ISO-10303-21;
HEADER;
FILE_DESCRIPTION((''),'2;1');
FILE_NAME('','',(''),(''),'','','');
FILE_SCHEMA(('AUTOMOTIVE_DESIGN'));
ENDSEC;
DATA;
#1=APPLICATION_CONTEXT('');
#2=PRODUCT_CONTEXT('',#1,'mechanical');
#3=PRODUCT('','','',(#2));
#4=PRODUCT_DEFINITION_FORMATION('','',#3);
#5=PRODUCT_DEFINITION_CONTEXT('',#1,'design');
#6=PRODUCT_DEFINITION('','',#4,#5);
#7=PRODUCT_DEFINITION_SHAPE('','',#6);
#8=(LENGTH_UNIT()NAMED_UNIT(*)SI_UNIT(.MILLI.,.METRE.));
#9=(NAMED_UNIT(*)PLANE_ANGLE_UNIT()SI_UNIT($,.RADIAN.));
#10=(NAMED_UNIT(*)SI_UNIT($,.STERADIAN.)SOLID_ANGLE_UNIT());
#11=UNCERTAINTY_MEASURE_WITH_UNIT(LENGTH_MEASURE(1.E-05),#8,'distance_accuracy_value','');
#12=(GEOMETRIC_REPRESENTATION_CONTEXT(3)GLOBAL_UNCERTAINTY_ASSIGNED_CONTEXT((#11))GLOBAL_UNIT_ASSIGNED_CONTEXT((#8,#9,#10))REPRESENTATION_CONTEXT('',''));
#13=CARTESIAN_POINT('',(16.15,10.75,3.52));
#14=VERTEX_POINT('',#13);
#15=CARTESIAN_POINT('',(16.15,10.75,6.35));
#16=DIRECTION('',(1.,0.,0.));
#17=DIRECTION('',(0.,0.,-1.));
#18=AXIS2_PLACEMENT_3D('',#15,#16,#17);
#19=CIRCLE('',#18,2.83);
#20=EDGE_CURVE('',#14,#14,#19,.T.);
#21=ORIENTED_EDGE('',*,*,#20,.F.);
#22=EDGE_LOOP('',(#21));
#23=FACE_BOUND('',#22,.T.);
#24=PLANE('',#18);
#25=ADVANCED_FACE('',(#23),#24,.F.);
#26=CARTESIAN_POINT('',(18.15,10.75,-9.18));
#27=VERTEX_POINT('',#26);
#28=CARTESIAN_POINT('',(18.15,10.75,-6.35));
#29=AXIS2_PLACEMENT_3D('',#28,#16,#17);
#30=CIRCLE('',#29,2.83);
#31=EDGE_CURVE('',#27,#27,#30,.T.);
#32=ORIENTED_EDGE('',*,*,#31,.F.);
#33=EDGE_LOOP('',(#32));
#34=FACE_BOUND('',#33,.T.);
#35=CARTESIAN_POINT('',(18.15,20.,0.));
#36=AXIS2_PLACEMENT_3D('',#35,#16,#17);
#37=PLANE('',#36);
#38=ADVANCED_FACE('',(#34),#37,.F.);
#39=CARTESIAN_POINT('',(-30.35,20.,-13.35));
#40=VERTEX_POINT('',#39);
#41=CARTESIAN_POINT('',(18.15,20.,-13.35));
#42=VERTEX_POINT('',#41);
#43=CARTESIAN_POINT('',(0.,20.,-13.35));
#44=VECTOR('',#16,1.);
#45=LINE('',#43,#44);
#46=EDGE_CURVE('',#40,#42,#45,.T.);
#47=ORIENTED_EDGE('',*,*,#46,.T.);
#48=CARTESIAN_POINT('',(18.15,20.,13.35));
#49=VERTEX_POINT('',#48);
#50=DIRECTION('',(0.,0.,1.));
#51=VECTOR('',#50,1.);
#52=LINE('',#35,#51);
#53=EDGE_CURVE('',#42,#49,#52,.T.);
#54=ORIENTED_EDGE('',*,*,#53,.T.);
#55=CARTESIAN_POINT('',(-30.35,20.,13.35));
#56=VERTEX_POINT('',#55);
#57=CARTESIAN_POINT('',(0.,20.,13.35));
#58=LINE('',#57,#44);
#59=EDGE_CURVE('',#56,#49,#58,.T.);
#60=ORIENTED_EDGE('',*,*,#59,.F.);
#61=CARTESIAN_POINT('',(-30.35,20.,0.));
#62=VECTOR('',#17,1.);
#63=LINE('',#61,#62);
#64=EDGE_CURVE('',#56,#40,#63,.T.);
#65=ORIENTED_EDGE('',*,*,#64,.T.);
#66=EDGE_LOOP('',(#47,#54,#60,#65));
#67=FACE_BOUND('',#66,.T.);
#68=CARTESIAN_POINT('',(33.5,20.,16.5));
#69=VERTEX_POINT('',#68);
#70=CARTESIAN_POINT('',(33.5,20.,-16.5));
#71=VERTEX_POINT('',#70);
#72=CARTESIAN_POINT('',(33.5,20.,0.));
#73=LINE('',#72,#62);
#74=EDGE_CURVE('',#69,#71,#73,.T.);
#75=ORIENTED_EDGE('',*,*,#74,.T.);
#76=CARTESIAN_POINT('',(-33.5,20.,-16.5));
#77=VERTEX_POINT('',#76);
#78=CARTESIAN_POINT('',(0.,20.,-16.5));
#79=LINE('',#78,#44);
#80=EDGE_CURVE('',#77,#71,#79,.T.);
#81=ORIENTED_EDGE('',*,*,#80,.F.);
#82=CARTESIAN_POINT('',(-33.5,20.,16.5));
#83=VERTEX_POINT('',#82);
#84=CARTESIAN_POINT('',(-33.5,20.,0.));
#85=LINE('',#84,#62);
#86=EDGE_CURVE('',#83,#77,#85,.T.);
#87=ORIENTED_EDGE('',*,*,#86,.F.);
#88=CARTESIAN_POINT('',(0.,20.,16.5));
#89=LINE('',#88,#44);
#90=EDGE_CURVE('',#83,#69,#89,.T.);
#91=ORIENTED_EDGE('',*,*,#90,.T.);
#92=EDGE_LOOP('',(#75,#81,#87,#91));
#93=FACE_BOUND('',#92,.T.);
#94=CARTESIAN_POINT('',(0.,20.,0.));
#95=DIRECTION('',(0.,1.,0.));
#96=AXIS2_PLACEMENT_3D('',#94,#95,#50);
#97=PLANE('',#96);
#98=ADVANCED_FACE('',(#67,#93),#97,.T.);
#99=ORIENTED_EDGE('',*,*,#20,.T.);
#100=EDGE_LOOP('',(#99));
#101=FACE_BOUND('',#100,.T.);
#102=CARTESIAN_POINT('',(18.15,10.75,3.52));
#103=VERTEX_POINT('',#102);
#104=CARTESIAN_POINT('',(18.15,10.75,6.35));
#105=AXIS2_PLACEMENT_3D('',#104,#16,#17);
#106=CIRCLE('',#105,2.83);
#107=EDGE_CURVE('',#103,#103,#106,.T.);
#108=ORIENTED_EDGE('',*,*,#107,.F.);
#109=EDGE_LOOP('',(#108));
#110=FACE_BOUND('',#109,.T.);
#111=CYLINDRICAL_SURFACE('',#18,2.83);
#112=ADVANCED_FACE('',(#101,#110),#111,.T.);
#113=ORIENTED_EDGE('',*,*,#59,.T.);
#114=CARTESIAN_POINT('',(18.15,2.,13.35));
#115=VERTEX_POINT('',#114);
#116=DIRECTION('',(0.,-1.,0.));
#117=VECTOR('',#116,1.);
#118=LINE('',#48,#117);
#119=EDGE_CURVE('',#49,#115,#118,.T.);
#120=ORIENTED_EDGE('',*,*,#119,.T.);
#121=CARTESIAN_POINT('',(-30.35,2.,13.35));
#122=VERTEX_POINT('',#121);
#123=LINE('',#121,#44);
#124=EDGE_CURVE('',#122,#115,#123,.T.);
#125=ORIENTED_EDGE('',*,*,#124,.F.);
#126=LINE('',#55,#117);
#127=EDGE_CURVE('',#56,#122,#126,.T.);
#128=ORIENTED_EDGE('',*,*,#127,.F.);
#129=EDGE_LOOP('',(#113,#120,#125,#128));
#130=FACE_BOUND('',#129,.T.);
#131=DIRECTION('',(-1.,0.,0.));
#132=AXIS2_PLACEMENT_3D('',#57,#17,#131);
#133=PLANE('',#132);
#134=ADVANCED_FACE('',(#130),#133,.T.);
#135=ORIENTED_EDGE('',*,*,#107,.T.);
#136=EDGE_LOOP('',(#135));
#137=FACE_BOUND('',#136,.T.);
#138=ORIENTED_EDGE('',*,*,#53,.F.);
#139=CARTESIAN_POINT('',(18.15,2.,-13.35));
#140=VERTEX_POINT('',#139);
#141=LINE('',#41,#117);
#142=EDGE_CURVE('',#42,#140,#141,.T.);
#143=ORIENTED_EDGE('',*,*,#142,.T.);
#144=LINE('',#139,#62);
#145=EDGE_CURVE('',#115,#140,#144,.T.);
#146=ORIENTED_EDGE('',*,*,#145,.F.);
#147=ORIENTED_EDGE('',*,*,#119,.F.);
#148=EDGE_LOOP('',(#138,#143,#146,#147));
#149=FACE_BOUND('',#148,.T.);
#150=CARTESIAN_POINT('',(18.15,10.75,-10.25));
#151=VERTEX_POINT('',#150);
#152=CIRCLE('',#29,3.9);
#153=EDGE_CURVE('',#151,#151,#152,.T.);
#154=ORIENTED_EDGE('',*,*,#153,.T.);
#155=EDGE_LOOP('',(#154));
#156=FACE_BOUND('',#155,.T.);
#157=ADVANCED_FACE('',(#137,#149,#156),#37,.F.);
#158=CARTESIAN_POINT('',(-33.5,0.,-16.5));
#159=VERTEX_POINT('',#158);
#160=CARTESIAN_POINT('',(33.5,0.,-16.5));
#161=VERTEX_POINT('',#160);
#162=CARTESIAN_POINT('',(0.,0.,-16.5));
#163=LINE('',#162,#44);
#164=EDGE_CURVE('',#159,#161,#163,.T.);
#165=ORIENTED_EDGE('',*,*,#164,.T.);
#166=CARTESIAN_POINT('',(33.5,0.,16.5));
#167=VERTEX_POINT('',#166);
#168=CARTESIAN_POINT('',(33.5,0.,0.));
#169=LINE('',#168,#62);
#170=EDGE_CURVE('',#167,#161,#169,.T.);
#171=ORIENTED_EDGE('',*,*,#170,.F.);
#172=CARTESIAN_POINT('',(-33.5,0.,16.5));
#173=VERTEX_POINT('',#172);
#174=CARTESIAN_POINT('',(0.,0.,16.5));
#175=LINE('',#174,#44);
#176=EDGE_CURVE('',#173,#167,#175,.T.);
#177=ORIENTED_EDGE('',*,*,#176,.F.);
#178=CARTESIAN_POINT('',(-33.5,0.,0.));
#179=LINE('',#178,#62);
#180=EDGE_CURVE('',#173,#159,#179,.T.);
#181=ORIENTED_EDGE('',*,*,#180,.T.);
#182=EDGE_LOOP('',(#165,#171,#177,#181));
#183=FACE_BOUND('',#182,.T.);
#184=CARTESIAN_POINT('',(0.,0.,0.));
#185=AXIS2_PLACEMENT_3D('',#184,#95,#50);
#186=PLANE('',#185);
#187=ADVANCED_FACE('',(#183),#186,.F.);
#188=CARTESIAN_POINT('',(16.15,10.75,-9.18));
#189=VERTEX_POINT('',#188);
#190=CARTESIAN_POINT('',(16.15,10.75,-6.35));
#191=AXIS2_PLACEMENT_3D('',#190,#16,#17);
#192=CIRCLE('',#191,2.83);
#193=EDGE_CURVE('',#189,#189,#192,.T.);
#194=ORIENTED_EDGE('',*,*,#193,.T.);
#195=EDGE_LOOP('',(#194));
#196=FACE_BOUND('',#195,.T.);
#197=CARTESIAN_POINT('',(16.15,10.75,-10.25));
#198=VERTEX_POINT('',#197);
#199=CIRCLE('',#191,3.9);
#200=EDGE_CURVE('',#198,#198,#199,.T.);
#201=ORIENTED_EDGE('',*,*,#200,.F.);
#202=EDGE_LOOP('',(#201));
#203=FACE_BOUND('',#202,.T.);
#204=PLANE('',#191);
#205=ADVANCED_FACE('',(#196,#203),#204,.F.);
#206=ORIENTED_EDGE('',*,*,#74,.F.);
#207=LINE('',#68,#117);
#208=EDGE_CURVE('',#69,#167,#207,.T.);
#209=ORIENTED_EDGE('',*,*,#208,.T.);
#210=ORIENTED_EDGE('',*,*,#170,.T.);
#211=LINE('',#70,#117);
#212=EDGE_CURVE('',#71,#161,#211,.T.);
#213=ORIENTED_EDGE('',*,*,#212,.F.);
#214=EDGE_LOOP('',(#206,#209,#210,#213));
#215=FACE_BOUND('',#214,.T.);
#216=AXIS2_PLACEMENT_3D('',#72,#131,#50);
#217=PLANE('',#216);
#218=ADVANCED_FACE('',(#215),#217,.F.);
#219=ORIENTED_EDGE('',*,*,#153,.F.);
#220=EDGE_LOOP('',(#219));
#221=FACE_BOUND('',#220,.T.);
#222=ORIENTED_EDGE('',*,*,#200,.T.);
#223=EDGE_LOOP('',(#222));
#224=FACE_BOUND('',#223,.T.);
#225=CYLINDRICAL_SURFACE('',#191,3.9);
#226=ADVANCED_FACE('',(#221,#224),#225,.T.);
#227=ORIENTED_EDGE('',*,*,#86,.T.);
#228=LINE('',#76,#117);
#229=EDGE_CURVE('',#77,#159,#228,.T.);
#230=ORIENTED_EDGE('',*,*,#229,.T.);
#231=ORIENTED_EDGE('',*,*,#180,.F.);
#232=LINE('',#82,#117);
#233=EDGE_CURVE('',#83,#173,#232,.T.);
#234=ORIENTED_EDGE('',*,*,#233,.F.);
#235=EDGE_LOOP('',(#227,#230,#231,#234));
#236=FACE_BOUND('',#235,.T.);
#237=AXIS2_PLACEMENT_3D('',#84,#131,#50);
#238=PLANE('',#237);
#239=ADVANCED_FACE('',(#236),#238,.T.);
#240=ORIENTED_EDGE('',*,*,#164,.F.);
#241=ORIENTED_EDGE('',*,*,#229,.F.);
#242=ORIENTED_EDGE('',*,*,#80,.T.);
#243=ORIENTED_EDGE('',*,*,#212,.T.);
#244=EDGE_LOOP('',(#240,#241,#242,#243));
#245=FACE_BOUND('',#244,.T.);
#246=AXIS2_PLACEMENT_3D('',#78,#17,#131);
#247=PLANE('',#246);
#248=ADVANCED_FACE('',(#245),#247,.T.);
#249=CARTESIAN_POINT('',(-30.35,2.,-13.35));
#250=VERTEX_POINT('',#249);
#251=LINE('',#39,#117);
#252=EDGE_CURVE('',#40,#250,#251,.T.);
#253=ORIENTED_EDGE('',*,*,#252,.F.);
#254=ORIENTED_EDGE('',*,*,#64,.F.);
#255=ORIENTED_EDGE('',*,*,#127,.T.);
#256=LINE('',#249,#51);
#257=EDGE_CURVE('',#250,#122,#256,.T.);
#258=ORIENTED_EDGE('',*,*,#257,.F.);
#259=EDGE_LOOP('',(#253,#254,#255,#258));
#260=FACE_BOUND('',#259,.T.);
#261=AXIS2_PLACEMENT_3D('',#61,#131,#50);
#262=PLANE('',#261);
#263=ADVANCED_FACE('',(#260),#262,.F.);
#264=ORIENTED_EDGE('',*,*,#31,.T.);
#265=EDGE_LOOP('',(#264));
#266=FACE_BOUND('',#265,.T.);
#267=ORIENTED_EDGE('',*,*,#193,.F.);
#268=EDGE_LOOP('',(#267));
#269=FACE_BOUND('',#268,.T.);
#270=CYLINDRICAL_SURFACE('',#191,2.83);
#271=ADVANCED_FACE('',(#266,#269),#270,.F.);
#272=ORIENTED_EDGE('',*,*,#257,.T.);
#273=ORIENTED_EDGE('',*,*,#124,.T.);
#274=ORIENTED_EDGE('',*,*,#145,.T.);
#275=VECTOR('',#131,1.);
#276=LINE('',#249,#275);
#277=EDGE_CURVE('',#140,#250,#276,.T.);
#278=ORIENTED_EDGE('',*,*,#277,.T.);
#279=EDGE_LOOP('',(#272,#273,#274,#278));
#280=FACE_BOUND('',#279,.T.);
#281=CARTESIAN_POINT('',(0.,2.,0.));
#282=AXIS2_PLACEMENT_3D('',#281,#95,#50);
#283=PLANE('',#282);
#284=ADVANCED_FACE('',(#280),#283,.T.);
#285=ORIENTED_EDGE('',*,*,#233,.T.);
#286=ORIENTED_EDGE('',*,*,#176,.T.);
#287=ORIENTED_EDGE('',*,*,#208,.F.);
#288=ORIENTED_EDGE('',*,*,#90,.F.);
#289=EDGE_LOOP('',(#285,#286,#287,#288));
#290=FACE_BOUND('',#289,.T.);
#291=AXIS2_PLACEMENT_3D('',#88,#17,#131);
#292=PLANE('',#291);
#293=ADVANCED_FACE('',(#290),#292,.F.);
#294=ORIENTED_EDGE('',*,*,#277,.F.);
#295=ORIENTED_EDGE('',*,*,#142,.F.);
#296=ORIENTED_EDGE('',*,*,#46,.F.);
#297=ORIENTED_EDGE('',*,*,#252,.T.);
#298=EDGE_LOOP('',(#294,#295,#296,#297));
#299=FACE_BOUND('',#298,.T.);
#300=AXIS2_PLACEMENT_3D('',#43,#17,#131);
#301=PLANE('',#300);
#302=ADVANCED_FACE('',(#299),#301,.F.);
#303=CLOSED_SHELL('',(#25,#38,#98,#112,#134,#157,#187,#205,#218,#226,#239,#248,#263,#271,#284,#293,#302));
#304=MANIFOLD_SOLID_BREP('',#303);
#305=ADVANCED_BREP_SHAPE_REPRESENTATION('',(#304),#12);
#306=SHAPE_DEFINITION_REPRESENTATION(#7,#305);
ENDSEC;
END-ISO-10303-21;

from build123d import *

# Parameters (mm, degrees)
ESBO_O1_W                = 67
ESBO_O1_H                = 33
ESBO_O1_W_2              = 60.7
ESBO_O1_H_2              = 26.7
ESBO_O1_W_3              = 12.2
RESSALTO_EXTRUS_O4_DEPTH = 20
ESBO_O3_W                = 48.5
ESBO_O3_H                = 26.7
RESSALTO_EXTRUS_O5_DEPTH = 2
RESSALTO_EXTRUS_O9_START = 18.15
ESBO_O4_R                = 3.9
ESBO_O4_R_2              = 2.83
RESSALTO_EXTRUS_O9_DEPTH = 2


with BuildPart() as part:
    # Esboço1 → Ressalto-extrusão4 (new body)
    # profile 1 of 2: a face of its own
    with BuildSketch(Plane(origin=(0, 0, 0), x_dir=(1, 0, 0), z_dir=(0, 1, 0))):
        Rectangle(ESBO_O1_W, ESBO_O1_H)
        Rectangle(ESBO_O1_W_2, ESBO_O1_H_2, mode=Mode.SUBTRACT)
    # profile 2 of 2: a face of its own
    with BuildSketch(Plane(origin=(0, 0, 0), x_dir=(1, 0, 0), z_dir=(0, 1, 0))):
        with Locations((24.25, 0)):
            Rectangle(ESBO_O1_W_3, ESBO_O1_H_2)
    extrude(amount=RESSALTO_EXTRUS_O4_DEPTH)

    # Esboço3 → Ressalto-extrusão5 (add)
    with BuildSketch(Plane(origin=(0, 0, 0), x_dir=(1, 0, 0), z_dir=(0, 1, 0))):
        with Locations((-6.1, 0)):
            Rectangle(ESBO_O3_W, ESBO_O3_H)
    extrude(amount=RESSALTO_EXTRUS_O5_DEPTH)

    # Esboço4 → Ressalto-extrusão9 (add)
    # profile 1 of 2: a face of its own
    with BuildSketch(Plane(origin=(0, 0, 0), x_dir=(0, 0, -1), z_dir=(1, 0, 0)).offset(RESSALTO_EXTRUS_O9_START)):
        with Locations((6.35, 10.75)):
            Circle(ESBO_O4_R)
        with Locations((6.35, 10.75)):
            Circle(ESBO_O4_R_2, mode=Mode.SUBTRACT)
    # profile 2 of 2: a face of its own
    with BuildSketch(Plane(origin=(0, 0, 0), x_dir=(0, 0, -1), z_dir=(1, 0, 0)).offset(RESSALTO_EXTRUS_O9_START)):
        with Locations((-6.35, 10.75)):
            Circle(ESBO_O4_R_2)
    extrude(amount=-RESSALTO_EXTRUS_O9_DEPTH)


solid = part.part
